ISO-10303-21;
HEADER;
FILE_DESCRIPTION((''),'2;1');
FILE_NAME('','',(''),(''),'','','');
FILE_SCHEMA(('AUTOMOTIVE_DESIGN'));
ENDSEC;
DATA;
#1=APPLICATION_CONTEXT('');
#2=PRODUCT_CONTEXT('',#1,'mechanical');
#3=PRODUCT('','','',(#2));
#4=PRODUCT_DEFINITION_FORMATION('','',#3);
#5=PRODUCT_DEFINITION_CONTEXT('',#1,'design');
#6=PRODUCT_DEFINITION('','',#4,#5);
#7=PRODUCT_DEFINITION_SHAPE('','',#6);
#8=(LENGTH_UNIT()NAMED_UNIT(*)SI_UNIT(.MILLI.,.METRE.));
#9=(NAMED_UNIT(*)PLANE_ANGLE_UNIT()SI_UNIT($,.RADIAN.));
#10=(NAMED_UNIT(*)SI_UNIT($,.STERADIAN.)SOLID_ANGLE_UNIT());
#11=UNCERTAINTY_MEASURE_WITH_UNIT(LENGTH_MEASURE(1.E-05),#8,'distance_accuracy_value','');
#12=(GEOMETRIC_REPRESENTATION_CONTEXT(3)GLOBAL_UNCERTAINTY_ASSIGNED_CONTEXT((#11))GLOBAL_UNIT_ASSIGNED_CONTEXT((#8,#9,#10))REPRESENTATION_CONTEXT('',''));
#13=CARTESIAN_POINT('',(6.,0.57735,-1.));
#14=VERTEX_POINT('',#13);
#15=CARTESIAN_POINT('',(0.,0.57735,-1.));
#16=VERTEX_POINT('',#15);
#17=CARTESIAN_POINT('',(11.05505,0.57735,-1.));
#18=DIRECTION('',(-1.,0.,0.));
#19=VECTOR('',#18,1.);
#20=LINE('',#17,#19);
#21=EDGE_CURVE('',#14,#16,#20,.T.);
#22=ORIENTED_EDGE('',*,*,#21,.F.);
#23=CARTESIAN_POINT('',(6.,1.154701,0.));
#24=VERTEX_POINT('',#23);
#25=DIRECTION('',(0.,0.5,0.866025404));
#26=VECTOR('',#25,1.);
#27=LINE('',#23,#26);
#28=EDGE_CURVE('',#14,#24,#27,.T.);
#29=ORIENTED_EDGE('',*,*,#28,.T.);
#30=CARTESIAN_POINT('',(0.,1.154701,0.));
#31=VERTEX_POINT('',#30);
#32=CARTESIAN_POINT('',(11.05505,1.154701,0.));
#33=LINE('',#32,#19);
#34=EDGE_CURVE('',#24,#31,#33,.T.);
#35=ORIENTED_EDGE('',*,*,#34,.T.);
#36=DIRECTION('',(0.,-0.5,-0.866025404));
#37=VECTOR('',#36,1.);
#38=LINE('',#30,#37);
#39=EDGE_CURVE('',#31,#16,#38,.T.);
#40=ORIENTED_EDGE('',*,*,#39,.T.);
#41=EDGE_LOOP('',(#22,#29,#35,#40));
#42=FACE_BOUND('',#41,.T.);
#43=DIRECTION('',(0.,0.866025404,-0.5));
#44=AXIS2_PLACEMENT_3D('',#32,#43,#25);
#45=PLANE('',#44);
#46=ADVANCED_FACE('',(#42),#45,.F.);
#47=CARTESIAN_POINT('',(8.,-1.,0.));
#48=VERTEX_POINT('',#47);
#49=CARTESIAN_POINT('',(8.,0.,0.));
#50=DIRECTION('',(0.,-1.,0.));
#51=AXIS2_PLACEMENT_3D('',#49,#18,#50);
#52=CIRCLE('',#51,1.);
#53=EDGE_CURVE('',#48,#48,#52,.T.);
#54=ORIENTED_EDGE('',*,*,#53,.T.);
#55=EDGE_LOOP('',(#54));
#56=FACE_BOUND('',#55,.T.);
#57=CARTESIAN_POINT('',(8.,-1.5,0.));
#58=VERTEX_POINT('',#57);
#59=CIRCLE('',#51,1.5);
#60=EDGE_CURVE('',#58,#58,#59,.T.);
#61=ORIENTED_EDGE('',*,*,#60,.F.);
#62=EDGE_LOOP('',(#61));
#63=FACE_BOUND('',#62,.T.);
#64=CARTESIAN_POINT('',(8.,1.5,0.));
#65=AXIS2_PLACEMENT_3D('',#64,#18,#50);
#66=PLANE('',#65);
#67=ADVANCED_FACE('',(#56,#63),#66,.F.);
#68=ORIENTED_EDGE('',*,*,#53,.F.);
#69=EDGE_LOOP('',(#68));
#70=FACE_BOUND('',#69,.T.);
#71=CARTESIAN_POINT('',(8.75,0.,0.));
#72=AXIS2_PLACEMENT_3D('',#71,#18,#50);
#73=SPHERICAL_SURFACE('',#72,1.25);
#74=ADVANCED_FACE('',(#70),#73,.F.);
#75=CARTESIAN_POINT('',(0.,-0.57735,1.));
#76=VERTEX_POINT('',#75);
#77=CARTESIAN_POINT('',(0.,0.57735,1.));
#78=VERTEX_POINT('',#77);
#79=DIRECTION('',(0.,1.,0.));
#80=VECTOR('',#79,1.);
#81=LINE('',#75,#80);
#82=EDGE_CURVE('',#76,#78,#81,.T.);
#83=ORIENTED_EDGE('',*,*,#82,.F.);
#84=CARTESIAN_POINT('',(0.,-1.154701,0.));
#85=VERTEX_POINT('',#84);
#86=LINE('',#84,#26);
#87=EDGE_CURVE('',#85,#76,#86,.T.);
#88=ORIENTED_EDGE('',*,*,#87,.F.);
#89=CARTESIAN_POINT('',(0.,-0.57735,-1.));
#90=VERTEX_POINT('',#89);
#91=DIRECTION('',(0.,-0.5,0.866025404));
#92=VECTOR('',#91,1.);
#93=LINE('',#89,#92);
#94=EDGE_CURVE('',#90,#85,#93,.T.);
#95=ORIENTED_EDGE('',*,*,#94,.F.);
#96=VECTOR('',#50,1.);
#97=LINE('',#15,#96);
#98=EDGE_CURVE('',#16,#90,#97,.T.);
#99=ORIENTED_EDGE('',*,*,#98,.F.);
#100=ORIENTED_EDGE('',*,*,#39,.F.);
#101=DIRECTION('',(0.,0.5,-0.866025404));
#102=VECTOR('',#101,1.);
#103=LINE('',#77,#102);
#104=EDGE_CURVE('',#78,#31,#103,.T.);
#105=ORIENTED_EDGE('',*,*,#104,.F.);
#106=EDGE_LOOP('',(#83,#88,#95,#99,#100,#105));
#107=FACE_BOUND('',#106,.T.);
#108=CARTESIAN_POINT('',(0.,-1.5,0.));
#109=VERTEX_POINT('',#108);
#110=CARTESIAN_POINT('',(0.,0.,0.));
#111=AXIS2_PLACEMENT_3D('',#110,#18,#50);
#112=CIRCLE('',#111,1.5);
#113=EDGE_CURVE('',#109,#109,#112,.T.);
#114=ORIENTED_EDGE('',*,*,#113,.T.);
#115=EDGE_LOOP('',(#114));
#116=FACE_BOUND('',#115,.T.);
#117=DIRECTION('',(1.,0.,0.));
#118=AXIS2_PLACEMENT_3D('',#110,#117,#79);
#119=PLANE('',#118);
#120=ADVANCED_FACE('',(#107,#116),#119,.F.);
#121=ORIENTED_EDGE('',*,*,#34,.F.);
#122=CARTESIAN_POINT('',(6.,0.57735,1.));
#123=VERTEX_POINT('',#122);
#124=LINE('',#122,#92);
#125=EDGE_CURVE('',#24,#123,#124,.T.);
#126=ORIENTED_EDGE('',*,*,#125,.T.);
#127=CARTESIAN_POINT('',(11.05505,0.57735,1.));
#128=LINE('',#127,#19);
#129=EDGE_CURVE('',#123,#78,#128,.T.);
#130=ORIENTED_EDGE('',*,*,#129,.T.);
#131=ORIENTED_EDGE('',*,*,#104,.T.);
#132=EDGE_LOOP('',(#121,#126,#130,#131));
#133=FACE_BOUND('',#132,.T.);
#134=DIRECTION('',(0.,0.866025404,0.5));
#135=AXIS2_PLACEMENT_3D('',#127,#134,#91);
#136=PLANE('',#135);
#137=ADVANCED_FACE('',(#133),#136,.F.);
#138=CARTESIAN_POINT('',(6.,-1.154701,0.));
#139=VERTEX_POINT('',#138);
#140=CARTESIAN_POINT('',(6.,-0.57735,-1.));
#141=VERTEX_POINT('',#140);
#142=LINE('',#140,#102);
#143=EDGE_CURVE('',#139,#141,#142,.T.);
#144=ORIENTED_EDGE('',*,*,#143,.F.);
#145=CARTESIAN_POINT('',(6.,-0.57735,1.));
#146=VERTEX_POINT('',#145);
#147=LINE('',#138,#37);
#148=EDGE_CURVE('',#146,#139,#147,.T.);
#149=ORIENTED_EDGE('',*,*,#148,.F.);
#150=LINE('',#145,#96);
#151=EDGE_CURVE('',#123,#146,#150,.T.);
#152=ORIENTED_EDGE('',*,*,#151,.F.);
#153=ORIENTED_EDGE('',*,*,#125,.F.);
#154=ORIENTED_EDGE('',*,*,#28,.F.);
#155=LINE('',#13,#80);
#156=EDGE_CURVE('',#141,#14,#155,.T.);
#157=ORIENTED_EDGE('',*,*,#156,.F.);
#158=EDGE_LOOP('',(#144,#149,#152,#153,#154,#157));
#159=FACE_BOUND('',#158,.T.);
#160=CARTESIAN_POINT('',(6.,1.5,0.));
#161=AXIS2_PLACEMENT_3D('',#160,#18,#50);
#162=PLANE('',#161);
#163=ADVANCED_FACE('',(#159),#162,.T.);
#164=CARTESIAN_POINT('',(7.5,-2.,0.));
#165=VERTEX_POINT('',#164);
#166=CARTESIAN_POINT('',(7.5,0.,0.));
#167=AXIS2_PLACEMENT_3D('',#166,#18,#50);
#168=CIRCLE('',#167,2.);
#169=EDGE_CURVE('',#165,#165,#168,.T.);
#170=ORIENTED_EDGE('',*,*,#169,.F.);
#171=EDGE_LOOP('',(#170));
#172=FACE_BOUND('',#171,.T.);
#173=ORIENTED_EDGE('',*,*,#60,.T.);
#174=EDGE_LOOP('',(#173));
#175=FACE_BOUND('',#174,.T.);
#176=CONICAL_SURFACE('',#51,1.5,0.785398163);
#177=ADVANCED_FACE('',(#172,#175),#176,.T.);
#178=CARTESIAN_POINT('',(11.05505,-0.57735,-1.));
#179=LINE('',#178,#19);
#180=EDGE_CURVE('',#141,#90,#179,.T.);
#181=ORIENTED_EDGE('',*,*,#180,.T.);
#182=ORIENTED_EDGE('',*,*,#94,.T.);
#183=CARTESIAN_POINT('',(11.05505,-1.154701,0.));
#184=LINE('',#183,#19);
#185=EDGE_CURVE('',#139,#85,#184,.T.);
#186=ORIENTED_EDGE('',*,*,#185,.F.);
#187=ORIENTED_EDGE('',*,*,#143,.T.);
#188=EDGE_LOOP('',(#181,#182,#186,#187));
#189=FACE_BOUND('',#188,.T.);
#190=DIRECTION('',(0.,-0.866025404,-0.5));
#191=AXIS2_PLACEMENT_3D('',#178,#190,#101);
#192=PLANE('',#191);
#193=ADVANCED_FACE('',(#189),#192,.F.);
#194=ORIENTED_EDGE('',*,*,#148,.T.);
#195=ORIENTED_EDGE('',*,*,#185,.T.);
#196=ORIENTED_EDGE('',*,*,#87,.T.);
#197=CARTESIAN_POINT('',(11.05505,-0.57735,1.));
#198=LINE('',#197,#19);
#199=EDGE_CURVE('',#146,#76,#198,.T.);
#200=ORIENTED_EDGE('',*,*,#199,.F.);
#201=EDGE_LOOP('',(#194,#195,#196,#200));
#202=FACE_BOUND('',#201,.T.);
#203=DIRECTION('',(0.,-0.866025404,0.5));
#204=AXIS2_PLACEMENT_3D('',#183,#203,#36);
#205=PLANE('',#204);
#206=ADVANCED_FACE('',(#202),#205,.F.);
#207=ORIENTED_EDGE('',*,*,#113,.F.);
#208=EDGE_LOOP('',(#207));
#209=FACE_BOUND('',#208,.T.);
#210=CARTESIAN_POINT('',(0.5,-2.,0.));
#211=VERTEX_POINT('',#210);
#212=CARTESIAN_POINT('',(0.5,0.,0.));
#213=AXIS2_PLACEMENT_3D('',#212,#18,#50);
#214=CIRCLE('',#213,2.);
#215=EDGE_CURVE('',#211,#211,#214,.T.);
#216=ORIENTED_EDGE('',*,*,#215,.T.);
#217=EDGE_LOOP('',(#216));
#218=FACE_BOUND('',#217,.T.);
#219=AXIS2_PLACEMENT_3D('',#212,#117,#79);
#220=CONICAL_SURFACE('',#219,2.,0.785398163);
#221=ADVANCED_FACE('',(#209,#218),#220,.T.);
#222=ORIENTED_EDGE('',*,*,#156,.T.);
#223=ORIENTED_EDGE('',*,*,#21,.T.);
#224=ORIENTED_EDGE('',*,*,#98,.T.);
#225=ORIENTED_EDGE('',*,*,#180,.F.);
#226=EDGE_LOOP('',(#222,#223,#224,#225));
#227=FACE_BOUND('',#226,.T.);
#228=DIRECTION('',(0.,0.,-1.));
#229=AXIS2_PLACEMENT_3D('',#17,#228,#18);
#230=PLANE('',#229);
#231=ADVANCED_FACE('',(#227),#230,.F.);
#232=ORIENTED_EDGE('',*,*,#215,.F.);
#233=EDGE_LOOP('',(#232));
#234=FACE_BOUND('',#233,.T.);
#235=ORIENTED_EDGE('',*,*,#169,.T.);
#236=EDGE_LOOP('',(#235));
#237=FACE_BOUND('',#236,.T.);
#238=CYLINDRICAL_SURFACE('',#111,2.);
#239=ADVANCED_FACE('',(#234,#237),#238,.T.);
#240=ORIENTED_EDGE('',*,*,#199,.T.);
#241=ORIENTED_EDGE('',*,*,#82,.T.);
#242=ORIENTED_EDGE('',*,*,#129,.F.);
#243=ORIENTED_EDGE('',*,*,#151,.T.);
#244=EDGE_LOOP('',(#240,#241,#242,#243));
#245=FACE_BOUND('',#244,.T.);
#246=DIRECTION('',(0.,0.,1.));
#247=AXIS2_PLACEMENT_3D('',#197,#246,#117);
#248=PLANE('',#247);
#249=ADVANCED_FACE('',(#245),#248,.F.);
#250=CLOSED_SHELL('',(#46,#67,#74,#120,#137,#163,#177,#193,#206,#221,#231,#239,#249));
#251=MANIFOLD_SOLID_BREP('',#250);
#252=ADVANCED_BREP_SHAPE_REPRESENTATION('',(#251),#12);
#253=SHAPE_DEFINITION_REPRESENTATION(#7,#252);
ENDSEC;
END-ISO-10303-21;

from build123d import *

# Parameters (mm, degrees)
CUT_EXTRUDE1_DEPTH = 6


with BuildPart() as part:
    # Sketch1 → Revolve1 (revolve)
    with BuildSketch(Plane.XY, mode=Mode.PRIVATE) as revolve1_sk:
        with BuildLine():
            Line((0, 0), (0, 1.5))
            Line((0, 1.5), (0.5, 2))
            Line((0.5, 2), (7.5, 2))
            Line((7.5, 2), (8, 1.5))
            Line((8, 1.5), (8, 1))
            ThreePointArc((8, 1), (7.631966011, 0.559016994), (7.5, 0))
            Line((7.5, 0), (0, 0))
        make_face()
    revolve(revolve1_sk.sketch.rotate(Axis((0, 0, 0), (1, 0, 0)), 180), axis=Axis((0, 0, 0), (1, 0, 0)))

    # Sketch2 → Cut-Extrude1 (cut)
    with BuildSketch(Plane.ZY):
        Polygon((0, 1.154700538), (-1, 0.577350269), (-1, -0.577350269), (0, -1.154700538), (1, -0.577350269), (1, 0.577350269), align=None)
    extrude(amount=-CUT_EXTRUDE1_DEPTH, mode=Mode.SUBTRACT)


solid = part.part
